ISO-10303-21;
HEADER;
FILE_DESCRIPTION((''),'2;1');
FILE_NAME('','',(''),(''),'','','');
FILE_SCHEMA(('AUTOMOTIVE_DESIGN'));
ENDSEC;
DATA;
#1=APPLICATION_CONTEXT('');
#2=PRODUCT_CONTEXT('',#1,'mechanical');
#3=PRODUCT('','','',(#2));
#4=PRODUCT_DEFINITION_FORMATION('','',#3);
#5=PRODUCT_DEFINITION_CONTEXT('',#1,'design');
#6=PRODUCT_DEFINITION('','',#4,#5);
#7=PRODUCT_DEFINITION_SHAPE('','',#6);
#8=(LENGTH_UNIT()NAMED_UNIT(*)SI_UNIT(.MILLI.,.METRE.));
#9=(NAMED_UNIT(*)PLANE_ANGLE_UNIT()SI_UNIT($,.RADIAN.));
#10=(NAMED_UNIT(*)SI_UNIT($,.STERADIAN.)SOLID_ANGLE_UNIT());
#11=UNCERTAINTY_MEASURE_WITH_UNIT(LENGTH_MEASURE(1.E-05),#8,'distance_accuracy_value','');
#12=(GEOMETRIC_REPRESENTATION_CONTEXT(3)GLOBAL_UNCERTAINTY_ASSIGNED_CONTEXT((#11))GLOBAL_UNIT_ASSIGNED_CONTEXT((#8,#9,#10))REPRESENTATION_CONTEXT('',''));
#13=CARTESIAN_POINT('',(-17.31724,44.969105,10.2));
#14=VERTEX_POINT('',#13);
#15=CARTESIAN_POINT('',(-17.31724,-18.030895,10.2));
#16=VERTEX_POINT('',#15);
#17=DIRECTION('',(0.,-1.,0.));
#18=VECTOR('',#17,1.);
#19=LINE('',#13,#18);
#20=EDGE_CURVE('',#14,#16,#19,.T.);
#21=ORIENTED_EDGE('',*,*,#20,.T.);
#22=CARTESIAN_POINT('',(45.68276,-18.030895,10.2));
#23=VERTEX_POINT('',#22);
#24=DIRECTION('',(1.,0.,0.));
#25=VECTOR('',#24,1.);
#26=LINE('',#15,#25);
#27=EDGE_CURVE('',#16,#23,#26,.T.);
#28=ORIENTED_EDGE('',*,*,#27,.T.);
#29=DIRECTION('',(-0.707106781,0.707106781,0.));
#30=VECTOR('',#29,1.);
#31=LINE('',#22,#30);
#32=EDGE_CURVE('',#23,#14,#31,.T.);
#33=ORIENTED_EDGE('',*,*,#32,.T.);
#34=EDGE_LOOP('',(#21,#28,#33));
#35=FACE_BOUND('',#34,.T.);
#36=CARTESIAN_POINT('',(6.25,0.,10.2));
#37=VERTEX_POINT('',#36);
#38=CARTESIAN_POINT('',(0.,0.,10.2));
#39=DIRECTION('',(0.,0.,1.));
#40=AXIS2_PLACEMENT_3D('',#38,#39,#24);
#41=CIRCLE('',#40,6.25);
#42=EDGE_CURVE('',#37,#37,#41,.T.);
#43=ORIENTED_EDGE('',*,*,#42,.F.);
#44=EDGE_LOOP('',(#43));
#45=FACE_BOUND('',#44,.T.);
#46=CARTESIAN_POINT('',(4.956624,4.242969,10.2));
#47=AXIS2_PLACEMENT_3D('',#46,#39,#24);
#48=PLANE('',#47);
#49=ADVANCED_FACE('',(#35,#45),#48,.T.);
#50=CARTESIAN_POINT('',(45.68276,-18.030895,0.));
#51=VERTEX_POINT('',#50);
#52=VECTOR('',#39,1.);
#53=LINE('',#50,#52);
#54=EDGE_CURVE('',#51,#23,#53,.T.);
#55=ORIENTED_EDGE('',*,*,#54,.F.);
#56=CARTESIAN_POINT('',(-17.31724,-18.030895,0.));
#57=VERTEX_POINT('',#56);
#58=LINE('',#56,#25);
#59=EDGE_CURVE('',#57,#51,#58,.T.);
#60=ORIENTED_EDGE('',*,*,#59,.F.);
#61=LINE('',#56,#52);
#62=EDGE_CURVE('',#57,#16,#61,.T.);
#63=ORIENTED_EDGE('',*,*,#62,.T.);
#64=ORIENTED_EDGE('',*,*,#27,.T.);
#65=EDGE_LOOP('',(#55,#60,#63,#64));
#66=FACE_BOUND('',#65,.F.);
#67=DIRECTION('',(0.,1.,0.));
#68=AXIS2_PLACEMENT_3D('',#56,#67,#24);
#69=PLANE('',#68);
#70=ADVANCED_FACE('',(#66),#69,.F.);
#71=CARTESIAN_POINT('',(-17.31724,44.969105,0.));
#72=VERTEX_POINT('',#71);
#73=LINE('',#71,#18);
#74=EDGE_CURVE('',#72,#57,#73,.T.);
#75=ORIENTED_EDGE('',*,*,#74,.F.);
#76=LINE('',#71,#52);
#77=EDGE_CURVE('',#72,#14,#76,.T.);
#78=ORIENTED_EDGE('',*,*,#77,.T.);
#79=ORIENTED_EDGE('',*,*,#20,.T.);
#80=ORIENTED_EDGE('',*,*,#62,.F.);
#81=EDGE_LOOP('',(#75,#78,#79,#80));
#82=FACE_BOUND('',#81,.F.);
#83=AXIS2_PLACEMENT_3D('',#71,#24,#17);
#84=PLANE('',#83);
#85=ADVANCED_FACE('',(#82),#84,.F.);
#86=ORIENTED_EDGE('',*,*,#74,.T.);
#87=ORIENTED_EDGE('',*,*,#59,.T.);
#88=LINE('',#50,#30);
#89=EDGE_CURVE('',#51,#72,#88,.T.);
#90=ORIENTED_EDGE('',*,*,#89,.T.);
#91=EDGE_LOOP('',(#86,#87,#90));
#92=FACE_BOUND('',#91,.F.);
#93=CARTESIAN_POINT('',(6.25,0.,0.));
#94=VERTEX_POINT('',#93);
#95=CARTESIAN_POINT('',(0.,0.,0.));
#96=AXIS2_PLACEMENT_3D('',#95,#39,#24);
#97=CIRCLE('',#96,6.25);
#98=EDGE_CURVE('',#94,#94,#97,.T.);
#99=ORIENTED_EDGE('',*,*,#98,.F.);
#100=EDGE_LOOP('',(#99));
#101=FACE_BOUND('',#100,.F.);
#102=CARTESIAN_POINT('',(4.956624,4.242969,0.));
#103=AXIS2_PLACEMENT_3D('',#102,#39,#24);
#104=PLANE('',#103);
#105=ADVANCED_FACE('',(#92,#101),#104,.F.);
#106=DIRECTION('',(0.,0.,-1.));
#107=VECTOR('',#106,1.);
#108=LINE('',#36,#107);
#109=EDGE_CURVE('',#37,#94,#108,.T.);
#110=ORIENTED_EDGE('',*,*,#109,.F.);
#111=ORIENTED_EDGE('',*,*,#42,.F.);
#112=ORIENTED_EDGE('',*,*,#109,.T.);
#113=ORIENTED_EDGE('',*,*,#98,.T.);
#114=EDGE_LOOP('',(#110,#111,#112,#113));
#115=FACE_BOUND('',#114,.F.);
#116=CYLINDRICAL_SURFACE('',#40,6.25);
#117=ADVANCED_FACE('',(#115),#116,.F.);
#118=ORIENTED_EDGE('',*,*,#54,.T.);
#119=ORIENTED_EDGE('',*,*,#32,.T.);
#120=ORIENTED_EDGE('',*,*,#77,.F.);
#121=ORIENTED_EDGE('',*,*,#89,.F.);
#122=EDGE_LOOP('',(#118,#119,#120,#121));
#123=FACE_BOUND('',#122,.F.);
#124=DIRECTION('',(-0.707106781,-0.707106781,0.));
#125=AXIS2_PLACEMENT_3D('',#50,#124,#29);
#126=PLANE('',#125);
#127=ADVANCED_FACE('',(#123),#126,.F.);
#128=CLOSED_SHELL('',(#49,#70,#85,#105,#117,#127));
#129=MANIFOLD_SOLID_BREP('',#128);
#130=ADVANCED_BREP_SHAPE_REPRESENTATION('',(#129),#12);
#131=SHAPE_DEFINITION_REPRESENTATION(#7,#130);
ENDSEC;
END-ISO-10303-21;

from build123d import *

# Parameters (mm, degrees)
F1_DEPTH = 10.2
F2_R     = 6.25
F3_DEPTH = 10.201


with BuildPart() as f1:
    # F0 (on Top) → F1 (new body)
    with BuildSketch(Plane.XY):
        Polygon((-17.31724, 44.969105), (-17.31724, -18.030895), (45.68276, -18.030895), align=None)
    extrude(amount=F1_DEPTH)

    # F2 (on face) → F3 (cut, through all)
    with BuildSketch(Plane.XY.offset(10.2)):
        Circle(F2_R)
    extrude(amount=-F3_DEPTH, mode=Mode.SUBTRACT)


solid = f1.part
